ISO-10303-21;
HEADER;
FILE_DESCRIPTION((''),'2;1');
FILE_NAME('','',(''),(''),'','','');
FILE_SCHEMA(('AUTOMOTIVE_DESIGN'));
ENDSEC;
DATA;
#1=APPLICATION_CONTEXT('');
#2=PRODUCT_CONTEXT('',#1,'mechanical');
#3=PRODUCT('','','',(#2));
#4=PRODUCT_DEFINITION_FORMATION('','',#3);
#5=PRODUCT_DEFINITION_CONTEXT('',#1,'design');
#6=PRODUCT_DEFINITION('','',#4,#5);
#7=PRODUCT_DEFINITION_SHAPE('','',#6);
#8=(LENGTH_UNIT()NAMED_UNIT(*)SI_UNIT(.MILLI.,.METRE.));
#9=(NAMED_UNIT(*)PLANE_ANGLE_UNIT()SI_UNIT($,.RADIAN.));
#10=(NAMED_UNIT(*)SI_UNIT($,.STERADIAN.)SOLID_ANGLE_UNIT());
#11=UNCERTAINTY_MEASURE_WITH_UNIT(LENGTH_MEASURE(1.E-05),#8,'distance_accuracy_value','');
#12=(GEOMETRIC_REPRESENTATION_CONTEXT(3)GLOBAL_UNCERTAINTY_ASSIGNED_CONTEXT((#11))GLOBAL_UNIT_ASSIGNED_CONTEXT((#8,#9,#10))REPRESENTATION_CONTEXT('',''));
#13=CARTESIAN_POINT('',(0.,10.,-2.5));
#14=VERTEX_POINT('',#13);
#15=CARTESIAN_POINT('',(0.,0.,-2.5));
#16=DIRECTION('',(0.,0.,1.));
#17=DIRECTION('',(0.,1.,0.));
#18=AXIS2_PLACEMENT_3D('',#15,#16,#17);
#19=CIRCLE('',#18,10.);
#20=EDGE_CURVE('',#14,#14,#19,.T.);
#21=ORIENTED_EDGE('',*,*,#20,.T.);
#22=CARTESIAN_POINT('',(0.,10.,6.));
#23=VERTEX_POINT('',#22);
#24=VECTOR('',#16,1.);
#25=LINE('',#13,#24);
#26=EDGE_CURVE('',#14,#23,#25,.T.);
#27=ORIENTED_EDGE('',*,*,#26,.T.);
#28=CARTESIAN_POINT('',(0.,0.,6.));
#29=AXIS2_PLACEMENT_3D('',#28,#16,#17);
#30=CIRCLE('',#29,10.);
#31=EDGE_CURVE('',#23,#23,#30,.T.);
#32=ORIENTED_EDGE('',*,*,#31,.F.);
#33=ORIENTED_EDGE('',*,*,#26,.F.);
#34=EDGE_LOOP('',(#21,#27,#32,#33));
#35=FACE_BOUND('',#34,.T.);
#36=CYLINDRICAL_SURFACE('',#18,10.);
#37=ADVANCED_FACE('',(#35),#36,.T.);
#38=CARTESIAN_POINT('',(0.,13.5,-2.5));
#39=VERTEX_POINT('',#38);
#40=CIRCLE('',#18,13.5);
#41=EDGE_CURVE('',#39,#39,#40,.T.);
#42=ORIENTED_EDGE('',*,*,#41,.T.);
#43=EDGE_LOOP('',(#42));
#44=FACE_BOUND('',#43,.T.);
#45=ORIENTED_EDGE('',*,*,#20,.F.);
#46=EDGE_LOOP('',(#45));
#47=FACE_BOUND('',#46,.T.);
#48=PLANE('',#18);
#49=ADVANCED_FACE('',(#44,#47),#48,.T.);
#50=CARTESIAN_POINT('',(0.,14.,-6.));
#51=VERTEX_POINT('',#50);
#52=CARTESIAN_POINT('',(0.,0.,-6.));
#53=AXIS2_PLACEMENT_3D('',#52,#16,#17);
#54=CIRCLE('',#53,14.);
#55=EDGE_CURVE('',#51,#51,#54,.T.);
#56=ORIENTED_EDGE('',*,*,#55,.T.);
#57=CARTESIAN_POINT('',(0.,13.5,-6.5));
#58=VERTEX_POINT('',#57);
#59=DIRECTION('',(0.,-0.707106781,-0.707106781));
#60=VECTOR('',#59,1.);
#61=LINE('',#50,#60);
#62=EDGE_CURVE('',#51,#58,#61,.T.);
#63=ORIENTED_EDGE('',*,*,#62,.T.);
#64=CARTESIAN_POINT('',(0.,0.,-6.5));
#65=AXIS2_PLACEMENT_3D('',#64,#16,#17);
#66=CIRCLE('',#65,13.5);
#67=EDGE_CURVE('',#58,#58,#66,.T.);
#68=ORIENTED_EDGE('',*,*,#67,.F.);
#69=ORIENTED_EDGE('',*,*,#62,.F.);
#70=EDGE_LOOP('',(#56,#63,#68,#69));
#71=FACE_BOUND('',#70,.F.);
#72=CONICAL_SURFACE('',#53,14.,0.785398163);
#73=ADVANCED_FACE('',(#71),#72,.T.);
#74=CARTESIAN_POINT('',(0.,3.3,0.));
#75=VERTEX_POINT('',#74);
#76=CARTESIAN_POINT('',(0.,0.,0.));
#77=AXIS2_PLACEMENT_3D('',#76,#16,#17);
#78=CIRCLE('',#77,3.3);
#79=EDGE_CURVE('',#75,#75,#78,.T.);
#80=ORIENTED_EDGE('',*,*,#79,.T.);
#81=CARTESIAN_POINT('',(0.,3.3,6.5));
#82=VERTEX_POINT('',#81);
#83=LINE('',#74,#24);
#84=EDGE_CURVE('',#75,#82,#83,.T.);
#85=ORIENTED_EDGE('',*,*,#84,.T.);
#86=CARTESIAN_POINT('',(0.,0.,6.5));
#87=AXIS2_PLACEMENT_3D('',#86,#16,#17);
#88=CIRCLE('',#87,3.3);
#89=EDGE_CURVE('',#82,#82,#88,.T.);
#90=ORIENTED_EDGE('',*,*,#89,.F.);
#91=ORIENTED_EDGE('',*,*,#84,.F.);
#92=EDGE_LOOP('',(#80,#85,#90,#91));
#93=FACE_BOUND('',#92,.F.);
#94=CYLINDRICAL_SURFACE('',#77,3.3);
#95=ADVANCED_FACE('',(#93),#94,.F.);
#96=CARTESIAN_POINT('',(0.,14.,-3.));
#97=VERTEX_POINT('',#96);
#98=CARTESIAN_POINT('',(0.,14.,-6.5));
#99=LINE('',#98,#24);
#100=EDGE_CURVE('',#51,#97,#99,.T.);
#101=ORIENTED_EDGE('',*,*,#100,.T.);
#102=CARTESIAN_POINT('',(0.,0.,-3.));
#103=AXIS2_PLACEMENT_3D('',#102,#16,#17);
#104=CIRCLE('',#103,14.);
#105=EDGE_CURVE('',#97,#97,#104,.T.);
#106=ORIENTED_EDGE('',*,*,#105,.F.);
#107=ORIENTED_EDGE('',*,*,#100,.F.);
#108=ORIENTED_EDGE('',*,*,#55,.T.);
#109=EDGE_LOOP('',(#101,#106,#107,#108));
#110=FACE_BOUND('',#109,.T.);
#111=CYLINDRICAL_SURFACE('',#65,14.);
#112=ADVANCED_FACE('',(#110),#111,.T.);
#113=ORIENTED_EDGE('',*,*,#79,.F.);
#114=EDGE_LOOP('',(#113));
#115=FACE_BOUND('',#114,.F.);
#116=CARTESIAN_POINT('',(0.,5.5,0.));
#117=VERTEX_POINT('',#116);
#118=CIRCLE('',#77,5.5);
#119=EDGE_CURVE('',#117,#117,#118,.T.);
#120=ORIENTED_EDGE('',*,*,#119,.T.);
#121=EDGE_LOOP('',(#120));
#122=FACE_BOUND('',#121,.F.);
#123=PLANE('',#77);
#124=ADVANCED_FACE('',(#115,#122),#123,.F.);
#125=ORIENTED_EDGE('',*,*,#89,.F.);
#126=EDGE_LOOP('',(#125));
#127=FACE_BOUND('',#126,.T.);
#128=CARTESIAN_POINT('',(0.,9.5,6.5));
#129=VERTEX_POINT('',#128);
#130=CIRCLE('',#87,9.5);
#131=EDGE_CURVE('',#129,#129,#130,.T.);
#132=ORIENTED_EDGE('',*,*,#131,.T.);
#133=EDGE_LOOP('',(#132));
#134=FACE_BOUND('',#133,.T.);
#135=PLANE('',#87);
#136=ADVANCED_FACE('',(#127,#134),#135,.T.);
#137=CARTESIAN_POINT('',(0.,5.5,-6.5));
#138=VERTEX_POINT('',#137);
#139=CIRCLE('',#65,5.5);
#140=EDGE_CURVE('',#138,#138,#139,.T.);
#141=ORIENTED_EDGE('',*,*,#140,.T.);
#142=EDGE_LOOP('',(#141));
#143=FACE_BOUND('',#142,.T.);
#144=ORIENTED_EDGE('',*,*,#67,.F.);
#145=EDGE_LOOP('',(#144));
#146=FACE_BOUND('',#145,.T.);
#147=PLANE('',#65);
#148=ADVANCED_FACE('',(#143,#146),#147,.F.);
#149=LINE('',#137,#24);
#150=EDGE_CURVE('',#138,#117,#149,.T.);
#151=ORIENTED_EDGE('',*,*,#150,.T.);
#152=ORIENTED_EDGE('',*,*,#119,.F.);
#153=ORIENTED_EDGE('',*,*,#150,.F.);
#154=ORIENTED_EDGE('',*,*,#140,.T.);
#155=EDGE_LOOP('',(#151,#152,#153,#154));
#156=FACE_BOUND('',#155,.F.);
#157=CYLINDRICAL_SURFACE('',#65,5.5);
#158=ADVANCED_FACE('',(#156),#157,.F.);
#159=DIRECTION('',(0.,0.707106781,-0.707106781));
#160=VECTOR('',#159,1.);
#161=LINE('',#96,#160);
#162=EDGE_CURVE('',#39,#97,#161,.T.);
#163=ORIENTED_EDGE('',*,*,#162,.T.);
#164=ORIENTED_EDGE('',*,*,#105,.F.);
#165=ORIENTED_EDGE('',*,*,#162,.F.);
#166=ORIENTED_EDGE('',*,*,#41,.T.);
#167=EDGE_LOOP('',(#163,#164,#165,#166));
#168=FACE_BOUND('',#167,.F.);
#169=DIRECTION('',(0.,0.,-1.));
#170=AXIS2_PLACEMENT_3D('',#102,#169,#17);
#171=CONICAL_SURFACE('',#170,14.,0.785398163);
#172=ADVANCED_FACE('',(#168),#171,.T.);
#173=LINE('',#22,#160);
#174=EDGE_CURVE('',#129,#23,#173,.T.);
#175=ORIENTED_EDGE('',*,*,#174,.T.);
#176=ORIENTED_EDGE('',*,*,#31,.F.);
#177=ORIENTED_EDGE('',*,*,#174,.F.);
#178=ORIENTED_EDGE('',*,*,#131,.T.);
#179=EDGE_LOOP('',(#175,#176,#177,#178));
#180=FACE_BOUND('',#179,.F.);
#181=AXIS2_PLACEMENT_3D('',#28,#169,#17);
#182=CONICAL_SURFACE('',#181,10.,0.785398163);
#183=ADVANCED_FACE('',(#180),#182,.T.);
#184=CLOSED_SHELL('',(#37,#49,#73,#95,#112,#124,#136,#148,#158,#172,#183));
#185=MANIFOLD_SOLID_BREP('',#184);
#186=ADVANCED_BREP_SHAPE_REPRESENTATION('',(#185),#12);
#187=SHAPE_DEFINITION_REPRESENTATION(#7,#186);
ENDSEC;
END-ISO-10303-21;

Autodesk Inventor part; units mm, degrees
ref_plane "YZ Plane" through (0, 0, 0) normal (1, 0, 0) x (0, 1, 0)
ref_plane "XZ Plane" through (0, 0, 0) normal (0, 1, 0) x (-1, 0, 0)
ref_plane "XY Plane" through (0, 0, 0) normal (0, 0, 1) x (1, 0, 0)
sketch "Sketch11" plane through (0, 0, 0) normal (1, 0, 0) x (0, 1, 0)
  line L0 (0, -6.5) -> (0, 6.5)
  line L1 (0, -6.5) -> (14, -6.5)
  line L2 (14, -6.5) -> (14, -2.5)
  line L3 (14, -2.5) -> (10, -2.5)
  line L4 (10, -2.5) -> (10, 6.5)
  line L5 (10, 6.5) -> (0, 6.5)
  point P0 (0, 0)
  point P1 (0, 0)
  dimension "d50" = 20
  dimension "d51" = 28
  dimension "d52" = 4
  dimension "d53" = 13
revolve "Revolution1" add sketch "Sketch11" angle 360 about axis through (0, 0, -6.5) along (0, 0, 1)
sketch "Sketch12" plane through (0, 0, -6.5) normal (0, 0, -1) x (-1, 0, 0)
  circle A0 centre (0, 0) radius 14 projected
  point P0 (0, 0)
hole "Hole4" at (0, 0, -6.5) direction (0, 0, 1) diameter 6.6 end through all counterbore diameter 11 counterbore depth 6.5 clearance for "Socket Head Cap Screw" size "M6" standard "TS Profile"
chamfer "Chamfer1" distance 0.5 angle 45 3 edges at (0, -10, 6.5) (0, -14, -2.5) (0, -14, -6.5)
properties part number "TL20240701-10110CV-006" material "S45C"
